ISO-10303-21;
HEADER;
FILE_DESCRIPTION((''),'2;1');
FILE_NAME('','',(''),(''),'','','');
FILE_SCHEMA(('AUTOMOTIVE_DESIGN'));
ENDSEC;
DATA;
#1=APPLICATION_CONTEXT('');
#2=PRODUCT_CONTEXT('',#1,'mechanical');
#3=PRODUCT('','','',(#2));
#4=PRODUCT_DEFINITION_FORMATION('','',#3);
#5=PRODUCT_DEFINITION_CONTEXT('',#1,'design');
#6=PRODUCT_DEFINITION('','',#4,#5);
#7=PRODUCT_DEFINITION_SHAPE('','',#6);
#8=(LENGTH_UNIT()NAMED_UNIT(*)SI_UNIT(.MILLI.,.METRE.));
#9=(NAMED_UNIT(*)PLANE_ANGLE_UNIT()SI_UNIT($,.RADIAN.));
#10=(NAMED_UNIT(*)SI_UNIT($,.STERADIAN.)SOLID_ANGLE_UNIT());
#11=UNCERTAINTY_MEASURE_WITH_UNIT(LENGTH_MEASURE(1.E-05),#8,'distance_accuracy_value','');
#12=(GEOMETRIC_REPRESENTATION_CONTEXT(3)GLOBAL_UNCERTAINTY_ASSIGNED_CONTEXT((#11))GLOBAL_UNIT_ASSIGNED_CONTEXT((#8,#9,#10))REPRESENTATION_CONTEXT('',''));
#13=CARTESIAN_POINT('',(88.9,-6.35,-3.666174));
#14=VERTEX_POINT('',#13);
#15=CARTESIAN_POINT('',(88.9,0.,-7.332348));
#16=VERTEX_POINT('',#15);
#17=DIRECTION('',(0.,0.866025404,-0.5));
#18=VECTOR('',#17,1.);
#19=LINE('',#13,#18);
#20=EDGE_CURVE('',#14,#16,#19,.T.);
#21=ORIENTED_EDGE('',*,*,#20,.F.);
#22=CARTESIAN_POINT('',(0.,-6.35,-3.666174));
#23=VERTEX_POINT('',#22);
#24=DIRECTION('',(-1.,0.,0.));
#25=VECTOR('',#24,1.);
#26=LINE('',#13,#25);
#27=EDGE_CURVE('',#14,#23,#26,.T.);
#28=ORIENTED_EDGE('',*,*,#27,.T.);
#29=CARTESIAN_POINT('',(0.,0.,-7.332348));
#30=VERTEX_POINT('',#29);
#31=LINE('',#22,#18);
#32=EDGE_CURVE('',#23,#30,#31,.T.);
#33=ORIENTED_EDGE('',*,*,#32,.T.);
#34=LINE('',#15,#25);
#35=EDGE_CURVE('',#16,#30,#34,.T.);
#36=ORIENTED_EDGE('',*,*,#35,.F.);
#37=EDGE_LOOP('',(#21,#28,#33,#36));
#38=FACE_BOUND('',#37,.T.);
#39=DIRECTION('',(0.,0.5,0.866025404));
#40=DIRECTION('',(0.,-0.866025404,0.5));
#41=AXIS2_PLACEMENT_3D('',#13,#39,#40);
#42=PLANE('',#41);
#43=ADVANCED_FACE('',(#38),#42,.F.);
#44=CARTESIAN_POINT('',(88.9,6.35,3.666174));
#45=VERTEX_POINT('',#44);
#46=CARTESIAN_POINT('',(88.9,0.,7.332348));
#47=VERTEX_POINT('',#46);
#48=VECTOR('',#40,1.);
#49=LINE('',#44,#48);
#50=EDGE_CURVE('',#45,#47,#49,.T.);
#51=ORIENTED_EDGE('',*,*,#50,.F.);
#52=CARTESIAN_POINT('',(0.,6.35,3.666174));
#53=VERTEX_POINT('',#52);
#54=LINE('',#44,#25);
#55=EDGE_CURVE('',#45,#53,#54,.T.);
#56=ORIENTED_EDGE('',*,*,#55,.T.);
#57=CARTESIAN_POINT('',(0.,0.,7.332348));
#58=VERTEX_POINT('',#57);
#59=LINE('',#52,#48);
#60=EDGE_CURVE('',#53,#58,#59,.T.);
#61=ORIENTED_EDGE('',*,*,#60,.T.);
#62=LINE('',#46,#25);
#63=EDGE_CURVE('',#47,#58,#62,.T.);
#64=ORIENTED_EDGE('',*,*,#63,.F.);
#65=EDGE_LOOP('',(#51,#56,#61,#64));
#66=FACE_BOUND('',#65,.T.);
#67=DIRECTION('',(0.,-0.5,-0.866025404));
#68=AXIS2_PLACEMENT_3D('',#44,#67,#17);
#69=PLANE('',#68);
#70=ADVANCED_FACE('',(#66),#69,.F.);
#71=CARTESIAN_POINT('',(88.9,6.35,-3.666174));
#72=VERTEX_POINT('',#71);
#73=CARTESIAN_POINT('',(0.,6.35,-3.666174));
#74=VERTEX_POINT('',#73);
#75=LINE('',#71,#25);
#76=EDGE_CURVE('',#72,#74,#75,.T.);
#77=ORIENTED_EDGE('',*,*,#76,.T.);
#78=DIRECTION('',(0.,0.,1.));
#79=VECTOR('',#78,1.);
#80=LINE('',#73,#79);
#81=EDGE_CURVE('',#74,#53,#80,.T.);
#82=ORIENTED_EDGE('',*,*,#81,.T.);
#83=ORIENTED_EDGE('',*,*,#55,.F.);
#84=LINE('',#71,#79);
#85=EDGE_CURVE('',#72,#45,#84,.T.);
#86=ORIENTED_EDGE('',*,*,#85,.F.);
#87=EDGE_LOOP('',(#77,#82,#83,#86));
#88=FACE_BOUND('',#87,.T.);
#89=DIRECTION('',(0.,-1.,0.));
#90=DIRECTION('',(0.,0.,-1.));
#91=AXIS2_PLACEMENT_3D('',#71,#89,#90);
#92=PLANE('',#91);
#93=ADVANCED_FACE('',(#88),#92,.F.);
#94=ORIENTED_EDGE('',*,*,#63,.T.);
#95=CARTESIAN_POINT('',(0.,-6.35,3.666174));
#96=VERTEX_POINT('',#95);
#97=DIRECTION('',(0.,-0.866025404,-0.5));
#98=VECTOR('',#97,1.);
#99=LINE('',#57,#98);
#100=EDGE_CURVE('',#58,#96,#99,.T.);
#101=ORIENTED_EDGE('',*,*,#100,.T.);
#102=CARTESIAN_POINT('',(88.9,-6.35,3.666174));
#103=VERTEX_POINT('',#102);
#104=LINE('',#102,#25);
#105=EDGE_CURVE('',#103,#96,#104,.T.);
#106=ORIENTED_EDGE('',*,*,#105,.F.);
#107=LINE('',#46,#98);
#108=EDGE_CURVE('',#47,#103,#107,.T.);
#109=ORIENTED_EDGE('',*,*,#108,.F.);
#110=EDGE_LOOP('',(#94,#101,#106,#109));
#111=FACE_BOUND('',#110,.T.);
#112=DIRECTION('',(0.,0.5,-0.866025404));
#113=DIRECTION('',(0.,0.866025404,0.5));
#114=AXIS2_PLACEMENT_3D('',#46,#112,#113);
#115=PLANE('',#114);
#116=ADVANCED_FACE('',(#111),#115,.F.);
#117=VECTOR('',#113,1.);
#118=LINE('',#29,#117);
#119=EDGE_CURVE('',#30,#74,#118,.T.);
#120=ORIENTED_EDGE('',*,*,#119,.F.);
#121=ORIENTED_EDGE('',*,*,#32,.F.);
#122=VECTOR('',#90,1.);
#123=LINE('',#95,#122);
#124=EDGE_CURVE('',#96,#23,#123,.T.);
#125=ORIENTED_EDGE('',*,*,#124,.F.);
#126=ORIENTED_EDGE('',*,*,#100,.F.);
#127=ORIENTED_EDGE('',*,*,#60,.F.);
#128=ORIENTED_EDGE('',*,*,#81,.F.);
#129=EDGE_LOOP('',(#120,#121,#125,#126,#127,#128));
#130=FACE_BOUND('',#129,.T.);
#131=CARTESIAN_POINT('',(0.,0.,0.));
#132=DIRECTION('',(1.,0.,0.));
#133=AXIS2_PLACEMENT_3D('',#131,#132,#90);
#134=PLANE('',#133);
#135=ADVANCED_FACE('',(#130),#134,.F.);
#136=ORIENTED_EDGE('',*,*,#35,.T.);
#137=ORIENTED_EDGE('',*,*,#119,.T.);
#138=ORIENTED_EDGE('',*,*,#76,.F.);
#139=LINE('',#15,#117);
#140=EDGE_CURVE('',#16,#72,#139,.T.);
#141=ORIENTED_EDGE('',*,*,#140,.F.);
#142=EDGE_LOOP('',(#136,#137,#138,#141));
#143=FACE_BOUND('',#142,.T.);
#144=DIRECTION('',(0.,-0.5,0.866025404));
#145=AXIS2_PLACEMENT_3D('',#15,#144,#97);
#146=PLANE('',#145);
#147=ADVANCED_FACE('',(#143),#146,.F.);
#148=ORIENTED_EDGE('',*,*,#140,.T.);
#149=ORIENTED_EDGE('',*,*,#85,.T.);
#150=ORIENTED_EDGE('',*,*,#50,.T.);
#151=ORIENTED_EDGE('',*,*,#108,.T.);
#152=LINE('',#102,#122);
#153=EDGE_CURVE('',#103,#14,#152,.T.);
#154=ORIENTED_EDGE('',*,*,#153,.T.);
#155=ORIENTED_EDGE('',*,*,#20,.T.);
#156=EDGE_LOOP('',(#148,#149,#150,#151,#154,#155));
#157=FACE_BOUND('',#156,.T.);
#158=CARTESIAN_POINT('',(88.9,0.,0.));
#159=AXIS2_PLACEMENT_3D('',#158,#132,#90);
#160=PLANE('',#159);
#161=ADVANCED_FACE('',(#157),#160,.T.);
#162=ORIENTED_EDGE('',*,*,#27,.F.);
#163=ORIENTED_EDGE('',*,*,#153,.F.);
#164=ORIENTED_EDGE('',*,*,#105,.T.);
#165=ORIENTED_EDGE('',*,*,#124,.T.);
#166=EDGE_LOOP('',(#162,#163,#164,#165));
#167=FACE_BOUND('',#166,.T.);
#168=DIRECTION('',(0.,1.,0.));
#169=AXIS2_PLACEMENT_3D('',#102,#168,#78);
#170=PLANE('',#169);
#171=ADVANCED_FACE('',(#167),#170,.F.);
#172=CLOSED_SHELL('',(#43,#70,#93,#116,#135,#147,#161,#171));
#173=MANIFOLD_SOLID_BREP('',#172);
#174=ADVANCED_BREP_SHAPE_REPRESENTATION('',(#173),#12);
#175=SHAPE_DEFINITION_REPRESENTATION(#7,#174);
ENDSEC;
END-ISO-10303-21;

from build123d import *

# Parameters (mm, degrees)
BOSS_EXTRUDE1_DEPTH = 88.9


with BuildPart() as part:
    # Sketch1 → Boss-Extrude1 (new body)
    with BuildSketch(Plane(origin=(0, 0, 0), x_dir=(0, 0, -1), z_dir=(1, 0, 0))):
        Polygon((-7.332348419, 0), (-3.666174209, -6.35), (3.666174209, -6.35), (7.332348419, 0), (3.666174209, 6.35), (-3.666174209, 6.35), align=None)
    extrude(amount=BOSS_EXTRUDE1_DEPTH)


solid = part.part
